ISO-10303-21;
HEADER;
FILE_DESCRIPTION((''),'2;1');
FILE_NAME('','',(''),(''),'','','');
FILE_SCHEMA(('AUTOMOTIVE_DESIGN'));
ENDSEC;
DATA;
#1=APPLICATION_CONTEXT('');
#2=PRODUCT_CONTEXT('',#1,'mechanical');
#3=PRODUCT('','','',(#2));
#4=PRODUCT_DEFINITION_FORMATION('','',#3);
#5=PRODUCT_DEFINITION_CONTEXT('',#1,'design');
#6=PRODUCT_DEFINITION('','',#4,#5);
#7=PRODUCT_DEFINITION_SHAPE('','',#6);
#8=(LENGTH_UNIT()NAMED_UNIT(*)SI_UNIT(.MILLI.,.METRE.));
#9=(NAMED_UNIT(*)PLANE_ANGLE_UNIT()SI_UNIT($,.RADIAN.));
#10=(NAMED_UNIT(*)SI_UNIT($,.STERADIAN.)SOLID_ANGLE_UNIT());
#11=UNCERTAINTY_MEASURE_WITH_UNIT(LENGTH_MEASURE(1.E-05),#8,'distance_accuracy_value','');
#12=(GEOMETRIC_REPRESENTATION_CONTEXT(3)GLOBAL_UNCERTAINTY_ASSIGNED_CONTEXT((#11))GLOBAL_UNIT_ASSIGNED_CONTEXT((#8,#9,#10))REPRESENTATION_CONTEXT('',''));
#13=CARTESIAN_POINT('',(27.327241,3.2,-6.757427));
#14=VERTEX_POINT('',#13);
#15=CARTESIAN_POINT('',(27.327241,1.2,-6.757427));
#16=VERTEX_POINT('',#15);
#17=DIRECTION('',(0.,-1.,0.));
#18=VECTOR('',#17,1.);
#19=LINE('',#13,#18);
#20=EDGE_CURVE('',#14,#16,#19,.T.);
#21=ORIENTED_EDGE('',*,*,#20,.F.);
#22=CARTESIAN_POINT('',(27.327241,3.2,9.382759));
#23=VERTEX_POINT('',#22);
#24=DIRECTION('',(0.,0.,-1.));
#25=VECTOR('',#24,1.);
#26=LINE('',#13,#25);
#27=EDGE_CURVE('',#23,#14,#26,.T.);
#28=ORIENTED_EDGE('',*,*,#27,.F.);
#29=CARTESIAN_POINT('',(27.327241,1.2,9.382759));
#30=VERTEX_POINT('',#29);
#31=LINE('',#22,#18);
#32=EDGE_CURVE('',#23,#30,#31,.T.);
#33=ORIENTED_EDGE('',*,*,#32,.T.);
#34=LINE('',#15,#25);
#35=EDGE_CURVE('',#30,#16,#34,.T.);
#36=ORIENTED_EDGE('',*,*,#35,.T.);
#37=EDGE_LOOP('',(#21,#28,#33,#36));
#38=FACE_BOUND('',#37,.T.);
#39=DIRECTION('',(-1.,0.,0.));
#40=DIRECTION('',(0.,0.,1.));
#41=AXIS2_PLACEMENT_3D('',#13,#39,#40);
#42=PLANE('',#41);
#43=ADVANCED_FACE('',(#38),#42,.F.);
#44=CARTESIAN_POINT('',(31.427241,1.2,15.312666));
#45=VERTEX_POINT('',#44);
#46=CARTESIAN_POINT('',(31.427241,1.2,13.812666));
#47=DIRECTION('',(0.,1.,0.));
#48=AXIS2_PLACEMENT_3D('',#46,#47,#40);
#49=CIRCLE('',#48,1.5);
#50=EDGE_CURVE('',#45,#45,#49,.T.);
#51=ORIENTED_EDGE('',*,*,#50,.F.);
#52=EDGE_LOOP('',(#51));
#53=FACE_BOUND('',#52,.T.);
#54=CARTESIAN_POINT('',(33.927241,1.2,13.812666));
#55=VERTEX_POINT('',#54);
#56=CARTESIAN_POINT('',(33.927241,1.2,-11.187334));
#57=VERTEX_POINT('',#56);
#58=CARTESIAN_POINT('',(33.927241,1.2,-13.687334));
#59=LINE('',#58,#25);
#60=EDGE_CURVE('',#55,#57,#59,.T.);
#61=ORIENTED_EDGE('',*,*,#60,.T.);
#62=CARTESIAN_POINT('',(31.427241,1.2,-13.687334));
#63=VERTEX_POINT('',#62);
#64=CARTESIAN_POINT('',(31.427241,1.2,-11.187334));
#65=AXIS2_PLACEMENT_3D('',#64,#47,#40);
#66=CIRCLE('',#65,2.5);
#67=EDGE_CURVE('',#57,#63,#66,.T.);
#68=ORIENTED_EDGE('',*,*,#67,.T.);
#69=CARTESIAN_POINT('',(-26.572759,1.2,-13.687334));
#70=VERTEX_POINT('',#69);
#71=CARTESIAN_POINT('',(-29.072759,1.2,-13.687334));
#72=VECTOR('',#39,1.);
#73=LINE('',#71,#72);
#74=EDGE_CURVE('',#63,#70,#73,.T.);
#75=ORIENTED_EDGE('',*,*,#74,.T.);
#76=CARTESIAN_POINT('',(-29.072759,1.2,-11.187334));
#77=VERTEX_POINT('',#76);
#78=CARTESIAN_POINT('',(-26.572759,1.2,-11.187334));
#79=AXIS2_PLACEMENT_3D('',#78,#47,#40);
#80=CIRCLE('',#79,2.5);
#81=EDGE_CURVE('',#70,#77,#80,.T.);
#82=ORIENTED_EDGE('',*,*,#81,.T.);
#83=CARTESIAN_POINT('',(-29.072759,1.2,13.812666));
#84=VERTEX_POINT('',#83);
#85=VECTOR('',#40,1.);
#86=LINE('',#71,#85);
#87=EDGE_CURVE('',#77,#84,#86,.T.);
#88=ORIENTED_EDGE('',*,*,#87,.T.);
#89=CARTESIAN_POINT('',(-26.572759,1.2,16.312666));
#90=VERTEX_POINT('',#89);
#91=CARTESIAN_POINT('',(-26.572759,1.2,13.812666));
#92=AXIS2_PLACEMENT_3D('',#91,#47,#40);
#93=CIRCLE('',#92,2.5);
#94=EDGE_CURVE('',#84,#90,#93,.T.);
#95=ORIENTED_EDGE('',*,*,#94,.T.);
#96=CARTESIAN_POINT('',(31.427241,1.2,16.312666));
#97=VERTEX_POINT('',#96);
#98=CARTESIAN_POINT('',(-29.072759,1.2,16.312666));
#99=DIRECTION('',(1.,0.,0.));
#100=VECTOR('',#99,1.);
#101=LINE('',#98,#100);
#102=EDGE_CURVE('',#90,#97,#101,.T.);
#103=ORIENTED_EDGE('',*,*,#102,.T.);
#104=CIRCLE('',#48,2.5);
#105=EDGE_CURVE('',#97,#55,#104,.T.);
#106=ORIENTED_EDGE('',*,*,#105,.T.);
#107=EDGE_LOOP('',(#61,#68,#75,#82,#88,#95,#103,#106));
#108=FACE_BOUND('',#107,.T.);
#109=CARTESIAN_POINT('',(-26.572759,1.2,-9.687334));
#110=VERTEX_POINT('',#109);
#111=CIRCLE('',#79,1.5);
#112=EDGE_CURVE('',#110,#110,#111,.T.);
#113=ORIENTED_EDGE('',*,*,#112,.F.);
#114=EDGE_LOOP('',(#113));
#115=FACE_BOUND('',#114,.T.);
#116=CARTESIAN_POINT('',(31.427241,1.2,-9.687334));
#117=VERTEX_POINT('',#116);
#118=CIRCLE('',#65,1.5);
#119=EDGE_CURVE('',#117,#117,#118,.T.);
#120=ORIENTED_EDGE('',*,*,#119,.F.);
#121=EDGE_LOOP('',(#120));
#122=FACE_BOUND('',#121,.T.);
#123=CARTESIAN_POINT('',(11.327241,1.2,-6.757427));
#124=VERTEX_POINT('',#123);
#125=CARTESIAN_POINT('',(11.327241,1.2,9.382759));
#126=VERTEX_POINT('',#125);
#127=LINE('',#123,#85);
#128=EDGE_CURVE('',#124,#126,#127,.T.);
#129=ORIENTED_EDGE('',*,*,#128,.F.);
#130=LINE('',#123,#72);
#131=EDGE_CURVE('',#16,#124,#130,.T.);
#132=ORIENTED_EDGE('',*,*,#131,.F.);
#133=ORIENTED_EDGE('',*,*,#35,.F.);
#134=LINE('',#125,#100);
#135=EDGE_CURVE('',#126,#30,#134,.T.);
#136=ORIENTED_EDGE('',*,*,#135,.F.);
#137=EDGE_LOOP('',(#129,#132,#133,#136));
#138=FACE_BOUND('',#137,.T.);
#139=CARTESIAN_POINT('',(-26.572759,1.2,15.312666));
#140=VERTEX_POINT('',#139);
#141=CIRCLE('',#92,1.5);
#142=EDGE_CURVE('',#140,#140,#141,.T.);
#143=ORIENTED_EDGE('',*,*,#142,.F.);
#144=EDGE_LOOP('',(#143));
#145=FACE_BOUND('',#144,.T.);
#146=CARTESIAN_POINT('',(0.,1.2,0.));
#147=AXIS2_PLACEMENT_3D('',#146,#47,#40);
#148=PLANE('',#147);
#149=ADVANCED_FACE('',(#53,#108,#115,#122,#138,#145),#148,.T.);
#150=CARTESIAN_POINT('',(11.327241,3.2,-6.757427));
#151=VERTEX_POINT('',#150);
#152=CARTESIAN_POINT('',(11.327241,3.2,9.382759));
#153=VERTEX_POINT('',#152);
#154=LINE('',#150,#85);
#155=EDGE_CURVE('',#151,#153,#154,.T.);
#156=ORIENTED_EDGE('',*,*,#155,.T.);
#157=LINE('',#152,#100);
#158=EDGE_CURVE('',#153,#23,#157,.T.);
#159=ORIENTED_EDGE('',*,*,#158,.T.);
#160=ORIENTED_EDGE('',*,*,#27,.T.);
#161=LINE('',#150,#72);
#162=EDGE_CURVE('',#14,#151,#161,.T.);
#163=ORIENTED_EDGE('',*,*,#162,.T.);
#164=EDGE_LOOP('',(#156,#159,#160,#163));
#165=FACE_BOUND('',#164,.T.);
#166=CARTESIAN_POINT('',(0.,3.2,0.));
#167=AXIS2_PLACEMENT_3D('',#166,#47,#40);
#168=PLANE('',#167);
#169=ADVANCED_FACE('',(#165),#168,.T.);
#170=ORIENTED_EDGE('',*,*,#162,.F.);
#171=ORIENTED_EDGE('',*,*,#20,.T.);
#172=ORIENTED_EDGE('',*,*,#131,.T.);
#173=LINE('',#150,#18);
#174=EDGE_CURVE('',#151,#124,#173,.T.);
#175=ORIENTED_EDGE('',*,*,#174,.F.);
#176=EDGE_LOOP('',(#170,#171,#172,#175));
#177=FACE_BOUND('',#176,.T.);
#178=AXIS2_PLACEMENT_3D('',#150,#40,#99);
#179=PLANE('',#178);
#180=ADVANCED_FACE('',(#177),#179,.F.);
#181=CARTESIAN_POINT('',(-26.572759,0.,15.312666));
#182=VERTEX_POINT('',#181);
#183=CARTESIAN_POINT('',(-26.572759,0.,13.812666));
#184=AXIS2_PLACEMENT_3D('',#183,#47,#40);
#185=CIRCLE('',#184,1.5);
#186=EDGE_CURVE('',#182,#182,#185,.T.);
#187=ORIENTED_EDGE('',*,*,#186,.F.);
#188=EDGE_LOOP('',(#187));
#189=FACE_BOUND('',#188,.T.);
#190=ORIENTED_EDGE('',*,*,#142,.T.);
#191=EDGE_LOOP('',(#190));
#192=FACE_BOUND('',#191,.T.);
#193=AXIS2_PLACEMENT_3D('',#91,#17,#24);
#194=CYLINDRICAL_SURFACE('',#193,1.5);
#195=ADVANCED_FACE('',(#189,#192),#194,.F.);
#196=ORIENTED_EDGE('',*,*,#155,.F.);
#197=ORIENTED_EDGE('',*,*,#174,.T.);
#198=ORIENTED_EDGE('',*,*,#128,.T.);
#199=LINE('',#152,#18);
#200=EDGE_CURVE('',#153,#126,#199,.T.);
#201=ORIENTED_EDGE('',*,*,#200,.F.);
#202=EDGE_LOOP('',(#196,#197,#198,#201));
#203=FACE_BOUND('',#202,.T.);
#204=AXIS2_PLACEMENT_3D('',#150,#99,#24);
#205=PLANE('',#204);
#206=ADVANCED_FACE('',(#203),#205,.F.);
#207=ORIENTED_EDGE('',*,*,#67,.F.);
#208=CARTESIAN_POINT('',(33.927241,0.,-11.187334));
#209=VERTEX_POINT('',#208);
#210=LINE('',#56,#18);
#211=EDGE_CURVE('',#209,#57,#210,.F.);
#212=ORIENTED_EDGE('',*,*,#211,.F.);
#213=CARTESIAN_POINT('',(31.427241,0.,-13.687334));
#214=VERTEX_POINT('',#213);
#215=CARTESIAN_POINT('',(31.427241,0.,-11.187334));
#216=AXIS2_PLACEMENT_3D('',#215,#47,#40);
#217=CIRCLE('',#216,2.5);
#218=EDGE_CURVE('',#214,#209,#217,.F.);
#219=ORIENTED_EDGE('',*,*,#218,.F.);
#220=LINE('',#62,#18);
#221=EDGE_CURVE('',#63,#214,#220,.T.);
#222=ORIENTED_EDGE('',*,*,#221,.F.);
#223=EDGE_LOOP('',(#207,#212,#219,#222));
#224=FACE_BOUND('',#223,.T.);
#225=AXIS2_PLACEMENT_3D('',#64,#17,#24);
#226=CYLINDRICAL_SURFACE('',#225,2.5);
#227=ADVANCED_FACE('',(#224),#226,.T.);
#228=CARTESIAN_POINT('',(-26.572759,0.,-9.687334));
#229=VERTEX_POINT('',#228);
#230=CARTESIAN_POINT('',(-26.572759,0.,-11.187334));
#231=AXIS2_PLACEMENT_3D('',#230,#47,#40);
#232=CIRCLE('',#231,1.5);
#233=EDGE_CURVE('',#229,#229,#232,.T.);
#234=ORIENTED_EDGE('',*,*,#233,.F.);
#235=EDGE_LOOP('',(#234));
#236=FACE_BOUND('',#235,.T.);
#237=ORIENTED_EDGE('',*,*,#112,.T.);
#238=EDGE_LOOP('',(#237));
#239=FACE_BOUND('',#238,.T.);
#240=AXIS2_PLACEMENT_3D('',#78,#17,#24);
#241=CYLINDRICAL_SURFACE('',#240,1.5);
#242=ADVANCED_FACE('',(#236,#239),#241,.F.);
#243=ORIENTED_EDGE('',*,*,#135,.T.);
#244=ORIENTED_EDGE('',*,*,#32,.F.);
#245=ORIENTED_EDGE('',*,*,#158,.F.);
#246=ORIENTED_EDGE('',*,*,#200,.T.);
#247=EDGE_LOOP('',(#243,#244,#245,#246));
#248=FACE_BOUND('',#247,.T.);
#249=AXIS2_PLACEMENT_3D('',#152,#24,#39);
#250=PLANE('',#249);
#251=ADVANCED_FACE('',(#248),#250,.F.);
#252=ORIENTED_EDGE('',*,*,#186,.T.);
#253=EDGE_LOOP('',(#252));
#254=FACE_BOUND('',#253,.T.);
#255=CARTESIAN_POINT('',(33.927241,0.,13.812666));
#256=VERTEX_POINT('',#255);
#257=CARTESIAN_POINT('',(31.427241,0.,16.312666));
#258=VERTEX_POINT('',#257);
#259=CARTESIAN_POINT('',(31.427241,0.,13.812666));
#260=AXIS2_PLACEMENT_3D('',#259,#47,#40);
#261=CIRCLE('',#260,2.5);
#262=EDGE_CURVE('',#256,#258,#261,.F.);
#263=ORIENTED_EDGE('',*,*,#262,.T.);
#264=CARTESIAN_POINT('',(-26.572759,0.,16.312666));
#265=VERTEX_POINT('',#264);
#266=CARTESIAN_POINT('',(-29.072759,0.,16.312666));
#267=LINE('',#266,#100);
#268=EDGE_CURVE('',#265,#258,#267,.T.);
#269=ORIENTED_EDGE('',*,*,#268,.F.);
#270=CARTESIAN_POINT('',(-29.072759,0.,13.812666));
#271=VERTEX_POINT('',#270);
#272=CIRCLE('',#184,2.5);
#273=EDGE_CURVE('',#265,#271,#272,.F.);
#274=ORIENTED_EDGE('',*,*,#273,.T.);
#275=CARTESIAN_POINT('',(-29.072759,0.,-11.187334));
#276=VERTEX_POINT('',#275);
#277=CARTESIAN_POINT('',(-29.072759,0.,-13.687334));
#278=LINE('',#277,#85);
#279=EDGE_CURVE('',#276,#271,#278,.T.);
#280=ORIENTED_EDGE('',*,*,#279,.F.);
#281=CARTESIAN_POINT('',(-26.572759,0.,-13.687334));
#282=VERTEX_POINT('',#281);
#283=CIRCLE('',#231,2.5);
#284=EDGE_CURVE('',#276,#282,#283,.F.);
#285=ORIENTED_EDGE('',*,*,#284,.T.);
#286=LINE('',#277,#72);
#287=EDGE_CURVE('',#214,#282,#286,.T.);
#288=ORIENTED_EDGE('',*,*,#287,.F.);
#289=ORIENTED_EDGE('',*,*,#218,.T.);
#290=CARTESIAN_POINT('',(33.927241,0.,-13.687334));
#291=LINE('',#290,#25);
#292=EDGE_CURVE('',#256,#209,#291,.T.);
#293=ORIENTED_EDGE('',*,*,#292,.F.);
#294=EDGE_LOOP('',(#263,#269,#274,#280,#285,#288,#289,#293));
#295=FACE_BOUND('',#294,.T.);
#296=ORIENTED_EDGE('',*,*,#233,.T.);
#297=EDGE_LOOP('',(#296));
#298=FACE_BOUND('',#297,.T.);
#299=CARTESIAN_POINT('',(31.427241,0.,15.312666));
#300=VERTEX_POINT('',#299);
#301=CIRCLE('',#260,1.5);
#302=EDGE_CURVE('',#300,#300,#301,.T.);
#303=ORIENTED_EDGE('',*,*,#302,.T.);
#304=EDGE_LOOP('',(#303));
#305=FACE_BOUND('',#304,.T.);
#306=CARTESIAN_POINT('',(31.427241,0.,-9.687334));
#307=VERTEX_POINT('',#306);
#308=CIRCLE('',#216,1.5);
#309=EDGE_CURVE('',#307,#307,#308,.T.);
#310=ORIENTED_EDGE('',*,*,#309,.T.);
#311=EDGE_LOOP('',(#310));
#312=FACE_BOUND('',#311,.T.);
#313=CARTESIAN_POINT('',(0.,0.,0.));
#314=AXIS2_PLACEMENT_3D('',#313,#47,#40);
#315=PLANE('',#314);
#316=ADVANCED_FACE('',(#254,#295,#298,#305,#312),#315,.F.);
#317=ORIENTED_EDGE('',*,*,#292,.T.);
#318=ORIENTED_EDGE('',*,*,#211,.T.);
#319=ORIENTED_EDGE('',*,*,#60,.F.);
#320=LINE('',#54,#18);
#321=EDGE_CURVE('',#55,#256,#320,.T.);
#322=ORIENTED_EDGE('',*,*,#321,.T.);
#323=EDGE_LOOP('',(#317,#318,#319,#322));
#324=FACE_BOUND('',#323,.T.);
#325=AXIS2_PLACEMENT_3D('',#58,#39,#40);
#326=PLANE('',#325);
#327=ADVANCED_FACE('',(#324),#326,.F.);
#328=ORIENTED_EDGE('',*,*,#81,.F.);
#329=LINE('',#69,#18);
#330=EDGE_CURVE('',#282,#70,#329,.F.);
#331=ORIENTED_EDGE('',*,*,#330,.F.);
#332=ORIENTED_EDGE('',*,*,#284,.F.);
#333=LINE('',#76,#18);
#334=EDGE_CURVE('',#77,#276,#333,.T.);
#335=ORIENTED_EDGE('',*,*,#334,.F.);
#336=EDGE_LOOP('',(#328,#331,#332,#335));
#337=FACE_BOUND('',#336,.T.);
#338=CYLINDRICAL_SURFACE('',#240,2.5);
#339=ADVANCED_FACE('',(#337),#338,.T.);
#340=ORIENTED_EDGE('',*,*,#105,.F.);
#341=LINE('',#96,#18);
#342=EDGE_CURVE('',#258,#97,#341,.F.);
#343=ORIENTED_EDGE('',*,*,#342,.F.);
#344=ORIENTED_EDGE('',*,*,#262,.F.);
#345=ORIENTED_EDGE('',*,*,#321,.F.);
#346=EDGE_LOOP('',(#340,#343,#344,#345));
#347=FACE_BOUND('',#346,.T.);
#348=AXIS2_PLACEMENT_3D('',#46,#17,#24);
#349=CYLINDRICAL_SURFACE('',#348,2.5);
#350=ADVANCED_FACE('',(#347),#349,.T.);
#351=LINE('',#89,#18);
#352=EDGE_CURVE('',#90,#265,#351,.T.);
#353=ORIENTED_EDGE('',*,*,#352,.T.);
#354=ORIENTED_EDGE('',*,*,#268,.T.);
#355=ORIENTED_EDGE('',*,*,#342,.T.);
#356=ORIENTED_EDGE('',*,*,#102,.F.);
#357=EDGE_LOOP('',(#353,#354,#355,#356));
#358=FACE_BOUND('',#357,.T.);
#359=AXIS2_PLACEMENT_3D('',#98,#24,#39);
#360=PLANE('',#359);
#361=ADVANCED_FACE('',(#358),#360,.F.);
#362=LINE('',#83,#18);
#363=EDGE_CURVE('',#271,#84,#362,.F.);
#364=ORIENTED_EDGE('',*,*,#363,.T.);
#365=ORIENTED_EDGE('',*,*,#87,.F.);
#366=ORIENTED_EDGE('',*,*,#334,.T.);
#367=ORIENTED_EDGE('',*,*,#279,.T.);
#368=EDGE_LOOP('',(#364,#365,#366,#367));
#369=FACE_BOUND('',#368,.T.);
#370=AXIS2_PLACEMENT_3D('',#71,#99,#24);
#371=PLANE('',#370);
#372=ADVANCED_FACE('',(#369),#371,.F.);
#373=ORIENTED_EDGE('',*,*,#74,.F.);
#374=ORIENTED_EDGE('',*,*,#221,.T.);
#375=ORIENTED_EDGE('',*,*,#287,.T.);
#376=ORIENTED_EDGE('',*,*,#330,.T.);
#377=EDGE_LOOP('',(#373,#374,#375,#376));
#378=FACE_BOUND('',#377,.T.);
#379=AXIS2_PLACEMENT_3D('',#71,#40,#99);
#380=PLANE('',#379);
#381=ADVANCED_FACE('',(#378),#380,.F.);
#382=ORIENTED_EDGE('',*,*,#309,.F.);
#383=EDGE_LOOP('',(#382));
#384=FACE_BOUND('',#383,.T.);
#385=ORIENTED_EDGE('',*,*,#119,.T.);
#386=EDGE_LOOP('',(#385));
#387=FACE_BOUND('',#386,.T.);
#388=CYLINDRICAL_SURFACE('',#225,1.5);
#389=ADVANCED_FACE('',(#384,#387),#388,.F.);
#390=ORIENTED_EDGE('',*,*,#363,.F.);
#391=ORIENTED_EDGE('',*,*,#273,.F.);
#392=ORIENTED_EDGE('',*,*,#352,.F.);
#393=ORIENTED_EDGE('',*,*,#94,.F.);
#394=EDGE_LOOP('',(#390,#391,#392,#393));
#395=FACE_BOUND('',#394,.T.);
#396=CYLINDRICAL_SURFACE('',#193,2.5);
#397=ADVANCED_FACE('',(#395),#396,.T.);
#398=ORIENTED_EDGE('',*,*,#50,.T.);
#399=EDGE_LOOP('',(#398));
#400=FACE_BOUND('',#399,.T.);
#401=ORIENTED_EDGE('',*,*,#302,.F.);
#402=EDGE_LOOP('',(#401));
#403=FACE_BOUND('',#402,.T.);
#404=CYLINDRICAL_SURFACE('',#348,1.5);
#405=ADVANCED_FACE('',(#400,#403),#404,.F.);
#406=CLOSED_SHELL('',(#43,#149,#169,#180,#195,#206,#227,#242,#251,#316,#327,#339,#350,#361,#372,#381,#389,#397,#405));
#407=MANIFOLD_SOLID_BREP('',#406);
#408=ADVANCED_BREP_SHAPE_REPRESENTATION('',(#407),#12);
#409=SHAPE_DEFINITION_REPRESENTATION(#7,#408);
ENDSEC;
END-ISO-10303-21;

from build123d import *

# Parameters (mm, degrees)
SKETCH1_W           = 63
SKETCH1_H           = 30
SKETCH1_R           = 1.5
BOSS_EXTRUDE1_DEPTH = 1.2
FILLET1_R           = 2.5
SKETCH2_W           = 16
SKETCH2_H           = 16.140186368
BOSS_EXTRUDE2_DEPTH = 2


with BuildPart() as part:
    # Sketch1 → Boss-Extrude1 (new body)
    with BuildSketch(Plane(origin=(0, 0, 0), x_dir=(1, 0, 0), z_dir=(0, 1, 0))):
        with Locations((2.427241021, -1.312665963)):
            Rectangle(SKETCH1_W, SKETCH1_H)
        with Locations(Location((-26.572758979, 11.187334037, 0), (0, 0, 270))):
            Circle(SKETCH1_R, mode=Mode.SUBTRACT)
        with Locations(Location((-26.572758979, -13.812665963, 0), (0, 0, 270))):
            Circle(SKETCH1_R, mode=Mode.SUBTRACT)
        with Locations(Location((31.427241021, -13.812665963, 0), (0, 0, 270))):
            Circle(SKETCH1_R, mode=Mode.SUBTRACT)
        with Locations(Location((31.427241021, 11.187334037, 0), (0, 0, 270))):
            Circle(SKETCH1_R, mode=Mode.SUBTRACT)
    extrude(amount=BOSS_EXTRUDE1_DEPTH)

    # Fillet1
    fillet1_edges = [part.edges().sort_by_distance(p)[0] for p in [
        (-29.072758979, 0.6, -13.687334037),
        (33.927241021, 0.6, -13.687334037),
        (33.927241021, 0.6, 16.312665963),
        (-29.072758979, 0.6, 16.312665963),
    ]]
    fillet(fillet1_edges, radius=FILLET1_R)

    # Sketch2 → Boss-Extrude2 (add)
    with BuildSketch(Plane(origin=(0, 1.2, 0), x_dir=(1, 0, 0), z_dir=(0, 1, 0))):
        with Locations((19.327241021, -1.312665963)):
            Rectangle(SKETCH2_W, SKETCH2_H)
    extrude(amount=BOSS_EXTRUDE2_DEPTH)


solid = part.part
